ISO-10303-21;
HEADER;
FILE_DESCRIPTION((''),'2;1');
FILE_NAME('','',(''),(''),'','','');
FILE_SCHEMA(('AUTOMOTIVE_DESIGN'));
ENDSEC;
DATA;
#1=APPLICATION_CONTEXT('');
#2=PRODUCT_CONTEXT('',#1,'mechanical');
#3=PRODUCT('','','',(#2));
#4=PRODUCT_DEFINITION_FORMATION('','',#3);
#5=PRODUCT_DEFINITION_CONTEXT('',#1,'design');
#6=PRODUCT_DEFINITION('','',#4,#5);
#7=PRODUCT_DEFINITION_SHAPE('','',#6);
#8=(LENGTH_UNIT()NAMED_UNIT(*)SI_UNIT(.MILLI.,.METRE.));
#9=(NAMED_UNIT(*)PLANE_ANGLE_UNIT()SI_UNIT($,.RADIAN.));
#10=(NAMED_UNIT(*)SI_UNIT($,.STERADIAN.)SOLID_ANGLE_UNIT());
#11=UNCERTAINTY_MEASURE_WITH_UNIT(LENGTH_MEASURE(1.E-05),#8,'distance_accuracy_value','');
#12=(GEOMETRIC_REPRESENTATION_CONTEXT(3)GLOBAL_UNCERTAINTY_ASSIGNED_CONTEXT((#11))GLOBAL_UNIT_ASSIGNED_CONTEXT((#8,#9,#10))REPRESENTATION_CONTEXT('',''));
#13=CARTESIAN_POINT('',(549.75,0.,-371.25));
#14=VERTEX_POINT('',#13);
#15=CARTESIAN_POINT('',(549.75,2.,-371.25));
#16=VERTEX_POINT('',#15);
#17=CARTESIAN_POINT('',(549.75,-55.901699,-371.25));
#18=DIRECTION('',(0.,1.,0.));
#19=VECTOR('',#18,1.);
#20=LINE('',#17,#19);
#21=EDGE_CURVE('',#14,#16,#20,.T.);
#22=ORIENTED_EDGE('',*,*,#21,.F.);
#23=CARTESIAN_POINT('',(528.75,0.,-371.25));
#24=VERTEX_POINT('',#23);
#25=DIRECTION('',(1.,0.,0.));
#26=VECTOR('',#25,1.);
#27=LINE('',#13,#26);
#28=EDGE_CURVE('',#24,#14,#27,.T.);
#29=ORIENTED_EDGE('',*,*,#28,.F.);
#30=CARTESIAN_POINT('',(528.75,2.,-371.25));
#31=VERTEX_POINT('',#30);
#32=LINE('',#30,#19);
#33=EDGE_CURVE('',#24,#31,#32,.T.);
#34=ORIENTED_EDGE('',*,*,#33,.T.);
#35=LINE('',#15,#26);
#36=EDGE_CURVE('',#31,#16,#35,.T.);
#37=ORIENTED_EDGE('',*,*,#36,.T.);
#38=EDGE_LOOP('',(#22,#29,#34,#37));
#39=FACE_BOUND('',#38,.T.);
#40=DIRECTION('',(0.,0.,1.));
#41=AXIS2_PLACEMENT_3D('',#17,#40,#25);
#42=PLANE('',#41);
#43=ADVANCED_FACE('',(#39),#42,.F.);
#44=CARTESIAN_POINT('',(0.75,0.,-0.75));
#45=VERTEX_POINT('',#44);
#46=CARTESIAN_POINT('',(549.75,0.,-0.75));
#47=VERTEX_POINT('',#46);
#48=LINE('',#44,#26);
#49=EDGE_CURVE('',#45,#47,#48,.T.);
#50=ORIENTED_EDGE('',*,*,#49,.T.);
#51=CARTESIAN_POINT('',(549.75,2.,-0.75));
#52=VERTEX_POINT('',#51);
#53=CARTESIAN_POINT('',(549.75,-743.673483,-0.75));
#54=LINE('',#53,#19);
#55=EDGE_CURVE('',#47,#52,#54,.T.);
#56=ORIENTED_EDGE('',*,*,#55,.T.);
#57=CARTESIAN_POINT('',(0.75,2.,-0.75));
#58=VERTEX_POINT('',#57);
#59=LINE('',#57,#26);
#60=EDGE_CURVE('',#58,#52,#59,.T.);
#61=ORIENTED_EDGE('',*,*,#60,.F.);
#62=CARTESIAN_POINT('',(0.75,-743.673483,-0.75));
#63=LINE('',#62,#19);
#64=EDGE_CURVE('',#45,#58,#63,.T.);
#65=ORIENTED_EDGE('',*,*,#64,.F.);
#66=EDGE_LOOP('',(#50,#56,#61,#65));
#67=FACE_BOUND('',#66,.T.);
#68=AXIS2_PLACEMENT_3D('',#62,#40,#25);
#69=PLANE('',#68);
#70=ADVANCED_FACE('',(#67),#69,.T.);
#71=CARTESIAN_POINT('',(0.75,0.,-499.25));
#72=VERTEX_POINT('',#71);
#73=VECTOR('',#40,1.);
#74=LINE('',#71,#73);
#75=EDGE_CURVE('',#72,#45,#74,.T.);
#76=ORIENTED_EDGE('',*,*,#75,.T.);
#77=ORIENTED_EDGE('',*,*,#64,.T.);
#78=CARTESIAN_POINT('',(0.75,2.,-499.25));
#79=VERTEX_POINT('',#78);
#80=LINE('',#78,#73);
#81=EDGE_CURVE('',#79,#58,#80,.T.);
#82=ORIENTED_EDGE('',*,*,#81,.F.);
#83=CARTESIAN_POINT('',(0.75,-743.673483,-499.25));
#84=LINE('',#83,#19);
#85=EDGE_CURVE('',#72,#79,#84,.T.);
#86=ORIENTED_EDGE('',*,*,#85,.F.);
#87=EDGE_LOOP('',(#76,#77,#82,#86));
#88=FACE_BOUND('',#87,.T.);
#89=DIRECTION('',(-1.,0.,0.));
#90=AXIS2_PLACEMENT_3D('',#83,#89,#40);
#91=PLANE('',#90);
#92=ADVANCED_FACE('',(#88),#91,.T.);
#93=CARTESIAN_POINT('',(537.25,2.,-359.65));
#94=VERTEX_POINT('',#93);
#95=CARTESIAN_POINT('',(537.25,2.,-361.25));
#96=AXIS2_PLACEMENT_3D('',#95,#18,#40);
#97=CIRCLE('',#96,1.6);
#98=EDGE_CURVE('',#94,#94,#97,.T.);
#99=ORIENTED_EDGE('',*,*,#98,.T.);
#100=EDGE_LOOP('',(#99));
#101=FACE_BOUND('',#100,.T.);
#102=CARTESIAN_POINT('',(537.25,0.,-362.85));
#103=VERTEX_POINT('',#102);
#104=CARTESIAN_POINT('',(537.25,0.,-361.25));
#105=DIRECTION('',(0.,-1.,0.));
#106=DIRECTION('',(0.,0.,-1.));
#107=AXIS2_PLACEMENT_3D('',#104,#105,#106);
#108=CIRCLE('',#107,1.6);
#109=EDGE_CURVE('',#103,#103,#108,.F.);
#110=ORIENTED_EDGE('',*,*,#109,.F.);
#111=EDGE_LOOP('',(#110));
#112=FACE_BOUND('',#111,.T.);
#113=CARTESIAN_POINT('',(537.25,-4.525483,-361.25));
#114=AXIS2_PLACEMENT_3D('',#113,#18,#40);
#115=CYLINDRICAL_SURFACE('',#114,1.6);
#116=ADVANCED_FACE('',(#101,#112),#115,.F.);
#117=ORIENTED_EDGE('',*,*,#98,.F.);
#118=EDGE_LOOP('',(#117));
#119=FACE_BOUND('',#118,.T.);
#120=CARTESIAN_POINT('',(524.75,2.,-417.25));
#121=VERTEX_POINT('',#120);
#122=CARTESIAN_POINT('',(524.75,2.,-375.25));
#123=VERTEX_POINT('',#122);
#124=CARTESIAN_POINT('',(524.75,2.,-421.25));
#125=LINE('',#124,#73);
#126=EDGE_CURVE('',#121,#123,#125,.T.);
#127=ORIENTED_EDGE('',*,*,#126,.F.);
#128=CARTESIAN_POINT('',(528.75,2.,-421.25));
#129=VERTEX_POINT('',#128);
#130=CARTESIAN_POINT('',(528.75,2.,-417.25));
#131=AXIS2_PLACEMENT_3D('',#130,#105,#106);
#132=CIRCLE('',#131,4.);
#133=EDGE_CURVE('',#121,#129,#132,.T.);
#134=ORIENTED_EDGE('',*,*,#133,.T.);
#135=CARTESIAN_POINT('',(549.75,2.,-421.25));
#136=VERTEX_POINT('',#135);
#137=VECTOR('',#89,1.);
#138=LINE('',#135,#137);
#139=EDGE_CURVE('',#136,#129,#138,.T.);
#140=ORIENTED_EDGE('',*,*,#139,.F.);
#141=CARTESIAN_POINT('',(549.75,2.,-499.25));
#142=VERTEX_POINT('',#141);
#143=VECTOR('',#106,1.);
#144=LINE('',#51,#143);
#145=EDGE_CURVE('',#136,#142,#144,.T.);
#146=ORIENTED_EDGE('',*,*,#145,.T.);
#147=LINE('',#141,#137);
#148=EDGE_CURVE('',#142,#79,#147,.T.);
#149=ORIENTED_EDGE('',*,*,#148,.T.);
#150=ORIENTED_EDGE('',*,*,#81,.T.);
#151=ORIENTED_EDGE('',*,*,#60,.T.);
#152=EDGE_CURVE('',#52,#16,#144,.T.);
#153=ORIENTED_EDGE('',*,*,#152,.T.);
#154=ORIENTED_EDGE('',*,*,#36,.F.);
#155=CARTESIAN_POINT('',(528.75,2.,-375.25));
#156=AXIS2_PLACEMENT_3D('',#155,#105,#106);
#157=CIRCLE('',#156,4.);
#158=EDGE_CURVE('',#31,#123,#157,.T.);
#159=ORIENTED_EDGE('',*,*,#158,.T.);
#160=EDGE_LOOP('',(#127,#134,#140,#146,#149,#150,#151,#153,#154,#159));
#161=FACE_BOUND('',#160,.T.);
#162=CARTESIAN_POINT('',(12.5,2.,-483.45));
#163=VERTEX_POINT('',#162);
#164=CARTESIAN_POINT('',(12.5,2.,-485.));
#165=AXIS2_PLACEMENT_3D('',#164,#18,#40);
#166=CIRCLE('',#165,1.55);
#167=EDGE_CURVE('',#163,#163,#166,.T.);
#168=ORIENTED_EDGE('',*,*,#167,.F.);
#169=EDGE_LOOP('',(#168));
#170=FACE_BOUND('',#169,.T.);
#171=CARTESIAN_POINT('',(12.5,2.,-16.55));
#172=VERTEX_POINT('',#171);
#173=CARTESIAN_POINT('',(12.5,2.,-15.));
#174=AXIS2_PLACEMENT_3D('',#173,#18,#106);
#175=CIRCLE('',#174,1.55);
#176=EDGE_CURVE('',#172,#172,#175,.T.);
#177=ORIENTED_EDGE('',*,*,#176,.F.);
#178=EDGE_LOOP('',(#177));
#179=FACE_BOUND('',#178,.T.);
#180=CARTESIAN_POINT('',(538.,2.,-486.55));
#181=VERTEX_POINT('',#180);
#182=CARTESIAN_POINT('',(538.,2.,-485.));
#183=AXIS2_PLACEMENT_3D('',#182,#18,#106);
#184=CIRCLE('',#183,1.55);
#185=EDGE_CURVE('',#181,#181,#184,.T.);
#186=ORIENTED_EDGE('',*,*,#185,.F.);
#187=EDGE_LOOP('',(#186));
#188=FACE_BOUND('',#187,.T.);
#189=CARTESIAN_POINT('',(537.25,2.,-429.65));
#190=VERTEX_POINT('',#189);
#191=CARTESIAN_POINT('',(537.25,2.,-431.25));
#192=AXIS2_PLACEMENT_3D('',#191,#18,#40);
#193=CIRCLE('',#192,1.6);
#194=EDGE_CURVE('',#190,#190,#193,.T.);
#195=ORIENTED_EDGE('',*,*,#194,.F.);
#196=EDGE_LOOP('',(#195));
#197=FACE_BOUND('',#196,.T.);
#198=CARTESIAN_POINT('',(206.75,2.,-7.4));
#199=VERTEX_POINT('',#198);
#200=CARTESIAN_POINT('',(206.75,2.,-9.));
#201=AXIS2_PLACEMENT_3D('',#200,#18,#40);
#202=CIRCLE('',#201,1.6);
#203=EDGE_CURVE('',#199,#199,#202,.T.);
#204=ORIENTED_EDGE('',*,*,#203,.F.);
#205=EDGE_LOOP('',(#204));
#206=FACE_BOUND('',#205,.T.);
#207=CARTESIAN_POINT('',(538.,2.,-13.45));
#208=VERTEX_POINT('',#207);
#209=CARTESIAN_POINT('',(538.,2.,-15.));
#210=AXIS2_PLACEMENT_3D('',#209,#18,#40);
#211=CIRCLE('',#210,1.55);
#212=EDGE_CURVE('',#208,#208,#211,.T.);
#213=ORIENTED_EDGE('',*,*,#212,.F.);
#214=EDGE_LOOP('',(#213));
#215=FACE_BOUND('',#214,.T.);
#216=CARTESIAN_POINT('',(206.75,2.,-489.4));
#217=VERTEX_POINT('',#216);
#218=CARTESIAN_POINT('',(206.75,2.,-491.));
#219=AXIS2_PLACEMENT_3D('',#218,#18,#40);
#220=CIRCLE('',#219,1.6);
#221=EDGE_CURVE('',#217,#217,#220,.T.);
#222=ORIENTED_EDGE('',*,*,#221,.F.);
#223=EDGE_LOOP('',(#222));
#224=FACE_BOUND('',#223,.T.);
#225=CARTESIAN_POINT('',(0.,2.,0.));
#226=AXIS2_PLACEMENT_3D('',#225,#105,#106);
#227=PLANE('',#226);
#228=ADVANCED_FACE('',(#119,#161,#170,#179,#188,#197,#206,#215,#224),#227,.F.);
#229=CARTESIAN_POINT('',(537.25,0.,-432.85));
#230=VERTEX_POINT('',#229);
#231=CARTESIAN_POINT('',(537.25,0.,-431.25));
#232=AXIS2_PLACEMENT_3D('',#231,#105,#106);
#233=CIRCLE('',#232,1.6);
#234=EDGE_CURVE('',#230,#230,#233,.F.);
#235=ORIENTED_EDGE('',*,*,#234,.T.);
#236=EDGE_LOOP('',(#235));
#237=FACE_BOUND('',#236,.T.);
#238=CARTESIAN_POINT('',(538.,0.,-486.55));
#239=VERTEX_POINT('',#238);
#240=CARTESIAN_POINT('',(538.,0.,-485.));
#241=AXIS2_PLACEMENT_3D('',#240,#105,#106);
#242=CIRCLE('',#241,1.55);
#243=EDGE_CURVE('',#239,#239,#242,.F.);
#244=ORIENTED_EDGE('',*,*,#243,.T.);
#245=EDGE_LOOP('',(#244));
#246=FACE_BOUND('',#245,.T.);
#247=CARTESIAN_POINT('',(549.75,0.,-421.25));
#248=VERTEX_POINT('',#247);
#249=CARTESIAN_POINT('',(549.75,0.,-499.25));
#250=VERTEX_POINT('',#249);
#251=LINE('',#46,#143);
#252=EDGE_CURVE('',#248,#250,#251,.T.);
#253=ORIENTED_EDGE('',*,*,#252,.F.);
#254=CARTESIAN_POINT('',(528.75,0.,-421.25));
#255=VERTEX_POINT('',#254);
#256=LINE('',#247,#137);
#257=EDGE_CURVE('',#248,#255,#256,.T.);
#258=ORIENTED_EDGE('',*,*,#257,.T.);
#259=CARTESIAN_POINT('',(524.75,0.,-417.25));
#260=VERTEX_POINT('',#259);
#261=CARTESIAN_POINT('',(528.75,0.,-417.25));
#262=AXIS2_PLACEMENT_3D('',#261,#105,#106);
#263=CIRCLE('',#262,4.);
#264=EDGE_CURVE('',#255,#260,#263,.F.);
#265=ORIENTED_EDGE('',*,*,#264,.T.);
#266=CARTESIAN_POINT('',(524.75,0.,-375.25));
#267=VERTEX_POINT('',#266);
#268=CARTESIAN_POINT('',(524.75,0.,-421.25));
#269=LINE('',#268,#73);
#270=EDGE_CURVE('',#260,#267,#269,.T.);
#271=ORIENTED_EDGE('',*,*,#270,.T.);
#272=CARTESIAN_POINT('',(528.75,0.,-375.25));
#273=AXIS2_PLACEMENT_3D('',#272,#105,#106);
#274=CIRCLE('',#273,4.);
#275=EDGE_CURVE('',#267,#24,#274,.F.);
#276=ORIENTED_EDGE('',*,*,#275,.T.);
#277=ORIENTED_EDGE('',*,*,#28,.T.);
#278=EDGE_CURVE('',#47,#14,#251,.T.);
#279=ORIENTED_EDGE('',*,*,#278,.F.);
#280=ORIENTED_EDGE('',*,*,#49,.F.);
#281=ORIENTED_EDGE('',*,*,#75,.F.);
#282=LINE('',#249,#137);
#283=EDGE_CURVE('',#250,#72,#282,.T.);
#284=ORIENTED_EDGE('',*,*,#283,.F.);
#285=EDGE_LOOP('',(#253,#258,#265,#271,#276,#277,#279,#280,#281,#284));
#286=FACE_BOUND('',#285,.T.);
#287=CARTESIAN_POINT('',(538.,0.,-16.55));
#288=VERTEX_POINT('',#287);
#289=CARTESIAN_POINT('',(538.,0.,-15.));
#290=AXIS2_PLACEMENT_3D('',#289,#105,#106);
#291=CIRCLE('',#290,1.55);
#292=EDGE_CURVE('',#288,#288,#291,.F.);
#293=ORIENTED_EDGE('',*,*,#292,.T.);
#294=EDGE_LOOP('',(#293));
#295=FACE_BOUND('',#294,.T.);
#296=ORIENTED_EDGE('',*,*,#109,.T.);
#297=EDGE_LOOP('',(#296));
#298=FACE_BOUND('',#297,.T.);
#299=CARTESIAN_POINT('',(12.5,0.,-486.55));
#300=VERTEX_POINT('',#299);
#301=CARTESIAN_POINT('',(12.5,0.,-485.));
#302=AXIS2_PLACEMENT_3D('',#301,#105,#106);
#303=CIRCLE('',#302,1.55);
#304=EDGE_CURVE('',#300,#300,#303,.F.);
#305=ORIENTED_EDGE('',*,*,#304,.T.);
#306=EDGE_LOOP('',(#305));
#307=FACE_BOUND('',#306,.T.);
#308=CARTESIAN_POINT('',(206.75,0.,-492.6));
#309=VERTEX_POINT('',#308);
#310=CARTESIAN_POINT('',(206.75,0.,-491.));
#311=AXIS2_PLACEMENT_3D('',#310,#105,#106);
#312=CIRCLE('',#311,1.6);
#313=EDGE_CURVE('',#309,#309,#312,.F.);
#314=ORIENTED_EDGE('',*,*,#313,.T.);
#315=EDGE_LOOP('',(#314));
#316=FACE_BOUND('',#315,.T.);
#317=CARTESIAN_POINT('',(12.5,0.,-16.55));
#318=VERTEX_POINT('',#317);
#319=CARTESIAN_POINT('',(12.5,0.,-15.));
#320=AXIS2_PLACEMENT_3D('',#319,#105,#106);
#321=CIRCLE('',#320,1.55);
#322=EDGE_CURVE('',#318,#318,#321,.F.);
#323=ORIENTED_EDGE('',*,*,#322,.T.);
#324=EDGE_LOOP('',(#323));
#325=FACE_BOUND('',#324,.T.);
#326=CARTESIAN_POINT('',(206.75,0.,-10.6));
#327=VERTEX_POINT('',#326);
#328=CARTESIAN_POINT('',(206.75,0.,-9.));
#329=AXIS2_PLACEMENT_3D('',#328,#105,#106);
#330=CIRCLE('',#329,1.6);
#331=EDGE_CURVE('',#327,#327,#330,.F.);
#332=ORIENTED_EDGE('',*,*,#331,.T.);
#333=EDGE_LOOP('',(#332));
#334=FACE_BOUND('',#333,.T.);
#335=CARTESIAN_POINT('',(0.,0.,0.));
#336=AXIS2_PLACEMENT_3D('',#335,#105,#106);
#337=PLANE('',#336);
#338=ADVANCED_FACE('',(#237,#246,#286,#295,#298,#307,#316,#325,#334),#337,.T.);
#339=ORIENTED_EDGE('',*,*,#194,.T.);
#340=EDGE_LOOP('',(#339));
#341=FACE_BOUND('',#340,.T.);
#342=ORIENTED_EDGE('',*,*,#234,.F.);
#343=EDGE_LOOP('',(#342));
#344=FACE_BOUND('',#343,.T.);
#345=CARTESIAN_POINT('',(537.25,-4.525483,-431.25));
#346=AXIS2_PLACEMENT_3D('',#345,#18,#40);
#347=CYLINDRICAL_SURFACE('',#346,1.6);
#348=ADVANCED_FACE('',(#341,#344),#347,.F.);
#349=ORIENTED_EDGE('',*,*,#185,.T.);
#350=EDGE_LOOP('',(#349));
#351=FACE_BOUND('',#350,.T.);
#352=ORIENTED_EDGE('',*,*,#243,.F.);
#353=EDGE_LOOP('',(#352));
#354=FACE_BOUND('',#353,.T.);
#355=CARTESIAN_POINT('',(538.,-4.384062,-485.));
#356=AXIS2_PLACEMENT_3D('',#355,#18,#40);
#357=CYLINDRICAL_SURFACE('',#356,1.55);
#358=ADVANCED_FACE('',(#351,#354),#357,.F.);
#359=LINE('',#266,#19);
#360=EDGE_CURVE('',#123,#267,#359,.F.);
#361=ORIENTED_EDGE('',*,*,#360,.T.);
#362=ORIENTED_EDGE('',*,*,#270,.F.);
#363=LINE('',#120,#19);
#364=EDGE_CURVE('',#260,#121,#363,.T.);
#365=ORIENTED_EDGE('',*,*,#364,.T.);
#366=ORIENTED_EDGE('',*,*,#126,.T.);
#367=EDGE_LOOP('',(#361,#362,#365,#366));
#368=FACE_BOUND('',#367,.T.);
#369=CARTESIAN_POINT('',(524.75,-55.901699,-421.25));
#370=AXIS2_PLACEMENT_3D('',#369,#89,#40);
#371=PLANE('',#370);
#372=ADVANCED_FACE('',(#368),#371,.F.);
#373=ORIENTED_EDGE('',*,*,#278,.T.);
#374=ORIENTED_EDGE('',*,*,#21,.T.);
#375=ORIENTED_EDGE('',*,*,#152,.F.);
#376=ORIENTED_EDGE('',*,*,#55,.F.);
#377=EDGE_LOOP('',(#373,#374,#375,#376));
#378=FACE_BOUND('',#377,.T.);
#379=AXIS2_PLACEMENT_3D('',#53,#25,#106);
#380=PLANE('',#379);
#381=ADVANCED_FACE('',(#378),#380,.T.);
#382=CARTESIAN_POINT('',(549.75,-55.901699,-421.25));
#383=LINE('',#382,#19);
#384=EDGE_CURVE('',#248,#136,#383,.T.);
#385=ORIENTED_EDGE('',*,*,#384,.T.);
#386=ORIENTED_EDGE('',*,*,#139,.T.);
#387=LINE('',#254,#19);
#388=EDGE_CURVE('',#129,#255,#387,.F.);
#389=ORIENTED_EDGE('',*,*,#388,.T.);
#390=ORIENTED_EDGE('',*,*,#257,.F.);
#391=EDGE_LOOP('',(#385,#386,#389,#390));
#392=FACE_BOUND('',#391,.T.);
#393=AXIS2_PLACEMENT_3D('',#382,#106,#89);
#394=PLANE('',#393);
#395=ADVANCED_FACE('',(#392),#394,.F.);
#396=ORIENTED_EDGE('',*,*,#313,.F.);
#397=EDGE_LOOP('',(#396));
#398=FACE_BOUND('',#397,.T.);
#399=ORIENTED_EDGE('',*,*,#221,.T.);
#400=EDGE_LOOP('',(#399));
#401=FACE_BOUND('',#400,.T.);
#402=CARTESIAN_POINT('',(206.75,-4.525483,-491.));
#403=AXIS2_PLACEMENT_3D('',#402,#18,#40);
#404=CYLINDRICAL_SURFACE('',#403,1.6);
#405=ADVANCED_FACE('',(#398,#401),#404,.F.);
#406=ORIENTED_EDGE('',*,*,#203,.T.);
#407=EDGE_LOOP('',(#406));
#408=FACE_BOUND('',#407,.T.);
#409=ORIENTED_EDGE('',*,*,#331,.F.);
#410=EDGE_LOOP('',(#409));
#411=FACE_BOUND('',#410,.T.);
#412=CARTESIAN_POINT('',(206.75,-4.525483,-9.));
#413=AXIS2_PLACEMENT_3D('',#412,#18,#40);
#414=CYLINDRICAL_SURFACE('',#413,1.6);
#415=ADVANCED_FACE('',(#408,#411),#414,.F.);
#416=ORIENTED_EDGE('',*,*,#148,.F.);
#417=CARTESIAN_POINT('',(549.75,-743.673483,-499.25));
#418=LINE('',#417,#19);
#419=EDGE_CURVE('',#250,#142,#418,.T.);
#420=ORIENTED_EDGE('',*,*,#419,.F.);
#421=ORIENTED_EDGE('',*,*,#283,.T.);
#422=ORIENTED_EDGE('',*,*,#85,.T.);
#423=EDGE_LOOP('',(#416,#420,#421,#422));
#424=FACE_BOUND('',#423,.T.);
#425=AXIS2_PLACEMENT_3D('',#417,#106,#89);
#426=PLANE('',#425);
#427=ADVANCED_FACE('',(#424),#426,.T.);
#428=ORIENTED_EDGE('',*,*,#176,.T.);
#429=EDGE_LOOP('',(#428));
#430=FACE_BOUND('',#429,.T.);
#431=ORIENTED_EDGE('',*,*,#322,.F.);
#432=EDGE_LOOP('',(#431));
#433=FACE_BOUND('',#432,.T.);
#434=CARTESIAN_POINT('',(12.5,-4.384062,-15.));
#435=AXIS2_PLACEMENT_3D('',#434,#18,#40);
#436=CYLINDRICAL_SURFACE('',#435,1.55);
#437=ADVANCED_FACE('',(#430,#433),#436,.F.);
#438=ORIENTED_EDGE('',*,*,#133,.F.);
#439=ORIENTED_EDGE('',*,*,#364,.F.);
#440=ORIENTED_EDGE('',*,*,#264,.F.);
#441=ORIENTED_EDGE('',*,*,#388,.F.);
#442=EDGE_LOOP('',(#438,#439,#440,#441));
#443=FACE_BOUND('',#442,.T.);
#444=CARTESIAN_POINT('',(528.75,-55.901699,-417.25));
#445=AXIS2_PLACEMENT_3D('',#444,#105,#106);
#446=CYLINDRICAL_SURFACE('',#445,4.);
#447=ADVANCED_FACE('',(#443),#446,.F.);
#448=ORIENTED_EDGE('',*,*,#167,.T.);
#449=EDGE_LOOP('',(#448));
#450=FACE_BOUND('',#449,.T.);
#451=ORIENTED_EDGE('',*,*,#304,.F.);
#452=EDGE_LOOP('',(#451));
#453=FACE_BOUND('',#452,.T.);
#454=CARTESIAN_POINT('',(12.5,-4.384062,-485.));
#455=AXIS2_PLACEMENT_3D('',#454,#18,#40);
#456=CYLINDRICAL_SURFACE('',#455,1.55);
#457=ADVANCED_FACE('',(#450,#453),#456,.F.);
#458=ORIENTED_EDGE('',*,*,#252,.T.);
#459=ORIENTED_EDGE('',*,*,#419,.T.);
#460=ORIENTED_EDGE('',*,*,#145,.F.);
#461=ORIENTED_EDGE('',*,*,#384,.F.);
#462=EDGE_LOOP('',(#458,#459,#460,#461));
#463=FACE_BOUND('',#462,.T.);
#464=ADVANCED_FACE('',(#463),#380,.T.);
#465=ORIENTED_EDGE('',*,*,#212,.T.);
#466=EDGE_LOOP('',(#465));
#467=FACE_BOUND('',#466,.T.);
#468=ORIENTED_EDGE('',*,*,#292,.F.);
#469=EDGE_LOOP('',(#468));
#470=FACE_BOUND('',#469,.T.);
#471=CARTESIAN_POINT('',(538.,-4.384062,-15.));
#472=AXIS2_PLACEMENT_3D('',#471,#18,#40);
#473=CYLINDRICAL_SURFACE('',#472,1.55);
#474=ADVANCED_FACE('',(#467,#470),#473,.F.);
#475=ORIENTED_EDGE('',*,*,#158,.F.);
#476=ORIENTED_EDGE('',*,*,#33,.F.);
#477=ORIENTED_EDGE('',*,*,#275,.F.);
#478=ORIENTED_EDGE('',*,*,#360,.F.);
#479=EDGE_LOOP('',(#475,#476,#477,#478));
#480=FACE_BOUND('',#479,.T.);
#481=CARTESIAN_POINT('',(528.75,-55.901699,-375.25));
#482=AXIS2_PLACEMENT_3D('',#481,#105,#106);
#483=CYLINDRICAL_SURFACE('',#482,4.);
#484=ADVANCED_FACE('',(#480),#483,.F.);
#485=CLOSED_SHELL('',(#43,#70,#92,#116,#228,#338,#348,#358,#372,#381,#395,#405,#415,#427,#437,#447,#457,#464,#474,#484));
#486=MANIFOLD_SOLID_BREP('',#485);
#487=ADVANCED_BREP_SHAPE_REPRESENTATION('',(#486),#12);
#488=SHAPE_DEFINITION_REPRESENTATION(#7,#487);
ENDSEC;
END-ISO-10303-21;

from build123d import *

# Parameters (mm, degrees)
CROQUIS1_W              = 550.5
CROQUIS1_H              = 500
SALIENTE_EXTRUIR1_DEPTH = 2
CROQUIS2_R              = 1.55
CORTAR_EXTRUIR1_DEPTH   = 2
CROQUIS3_W              = 550.5
CROQUIS3_H              = 500
CROQUIS3_W_2            = 549
CROQUIS3_H_2            = 498.5
CORTAR_EXTRUIR2_DEPTH   = 2
CROQUIS4_W              = 25
CROQUIS4_H              = 50
CORTAR_EXTRUIR3_DEPTH   = 2
REDONDEO1_R             = 4
CROQUIS5_R              = 1.6
CORTAR_EXTRUIR4_DEPTH   = 2
CROQUIS6_R              = 1.6
CORTAR_EXTRUIR5_DEPTH   = 2


with BuildPart() as part:
    # Croquis1 → Saliente-Extruir1 (new body)
    with BuildSketch(Plane(origin=(0, 0, 0), x_dir=(1, 0, 0), z_dir=(0, 1, 0))):
        with Locations((275.25, 250)):
            Rectangle(CROQUIS1_W, CROQUIS1_H)
    extrude(amount=SALIENTE_EXTRUIR1_DEPTH)

    # Croquis2 → Cortar-Extruir1 (cut)
    with BuildSketch(Plane(origin=(0, 2, 0), x_dir=(1, 0, 0), z_dir=(0, 1, 0))):
        with Locations(Location((12.5, 485, 0), (0, 0, 270))):
            Circle(CROQUIS2_R)
        with Locations(Location((538, 485, 0), (0, 0, 90))):
            Circle(CROQUIS2_R)
        with Locations(Location((538, 15, 0), (0, 0, 270))):
            Circle(CROQUIS2_R)
        with Locations(Location((12.5, 15, 0), (0, 0, 90))):
            Circle(CROQUIS2_R)
    extrude(amount=-CORTAR_EXTRUIR1_DEPTH, mode=Mode.SUBTRACT)

    # Croquis3 → Cortar-Extruir2 (cut)
    with BuildSketch(Plane(origin=(0, 2, 0), x_dir=(1, 0, 0), z_dir=(0, 1, 0))):
        with Locations((275.25, 250)):
            Rectangle(CROQUIS3_W, CROQUIS3_H)
        with Locations((275.25, 250)):
            Rectangle(CROQUIS3_W_2, CROQUIS3_H_2, mode=Mode.SUBTRACT)
    extrude(amount=-CORTAR_EXTRUIR2_DEPTH, mode=Mode.SUBTRACT)

    # Croquis4 → Cortar-Extruir3 (cut)
    with BuildSketch(Plane(origin=(0, 2, 0), x_dir=(1, 0, 0), z_dir=(0, 1, 0))):
        with Locations((537.25, 396.25)):
            Rectangle(CROQUIS4_W, CROQUIS4_H)
    extrude(amount=-CORTAR_EXTRUIR3_DEPTH, mode=Mode.SUBTRACT)

    # Redondeo1
    redondeo1_edges = [part.edges().sort_by_distance(p)[0] for p in [
        (524.75, 1, -421.25),
        (524.75, 1, -371.25),
    ]]
    fillet(redondeo1_edges, radius=REDONDEO1_R)

    # Croquis5 → Cortar-Extruir4 (cut)
    with BuildSketch(Plane(origin=(0, 2, 0), x_dir=(1, 0, 0), z_dir=(0, 1, 0))):
        with Locations(Location((537.25, 431.25, 0), (0, 0, 270))):
            Circle(CROQUIS5_R)
        with Locations(Location((537.25, 361.25, 0), (0, 0, 270))):
            Circle(CROQUIS5_R)
    extrude(amount=-CORTAR_EXTRUIR4_DEPTH, mode=Mode.SUBTRACT)

    # Croquis6 → Cortar-Extruir5 (cut)
    with BuildSketch(Plane(origin=(0, 2, 0), x_dir=(1, 0, 0), z_dir=(0, 1, 0))):
        with Locations(Location((206.75, 491, 0), (0, 0, 270))):
            Circle(CROQUIS6_R)
        with Locations(Location((206.75, 9, 0), (0, 0, 270))):
            Circle(CROQUIS6_R)
    extrude(amount=-CORTAR_EXTRUIR5_DEPTH, mode=Mode.SUBTRACT)


solid = part.part
